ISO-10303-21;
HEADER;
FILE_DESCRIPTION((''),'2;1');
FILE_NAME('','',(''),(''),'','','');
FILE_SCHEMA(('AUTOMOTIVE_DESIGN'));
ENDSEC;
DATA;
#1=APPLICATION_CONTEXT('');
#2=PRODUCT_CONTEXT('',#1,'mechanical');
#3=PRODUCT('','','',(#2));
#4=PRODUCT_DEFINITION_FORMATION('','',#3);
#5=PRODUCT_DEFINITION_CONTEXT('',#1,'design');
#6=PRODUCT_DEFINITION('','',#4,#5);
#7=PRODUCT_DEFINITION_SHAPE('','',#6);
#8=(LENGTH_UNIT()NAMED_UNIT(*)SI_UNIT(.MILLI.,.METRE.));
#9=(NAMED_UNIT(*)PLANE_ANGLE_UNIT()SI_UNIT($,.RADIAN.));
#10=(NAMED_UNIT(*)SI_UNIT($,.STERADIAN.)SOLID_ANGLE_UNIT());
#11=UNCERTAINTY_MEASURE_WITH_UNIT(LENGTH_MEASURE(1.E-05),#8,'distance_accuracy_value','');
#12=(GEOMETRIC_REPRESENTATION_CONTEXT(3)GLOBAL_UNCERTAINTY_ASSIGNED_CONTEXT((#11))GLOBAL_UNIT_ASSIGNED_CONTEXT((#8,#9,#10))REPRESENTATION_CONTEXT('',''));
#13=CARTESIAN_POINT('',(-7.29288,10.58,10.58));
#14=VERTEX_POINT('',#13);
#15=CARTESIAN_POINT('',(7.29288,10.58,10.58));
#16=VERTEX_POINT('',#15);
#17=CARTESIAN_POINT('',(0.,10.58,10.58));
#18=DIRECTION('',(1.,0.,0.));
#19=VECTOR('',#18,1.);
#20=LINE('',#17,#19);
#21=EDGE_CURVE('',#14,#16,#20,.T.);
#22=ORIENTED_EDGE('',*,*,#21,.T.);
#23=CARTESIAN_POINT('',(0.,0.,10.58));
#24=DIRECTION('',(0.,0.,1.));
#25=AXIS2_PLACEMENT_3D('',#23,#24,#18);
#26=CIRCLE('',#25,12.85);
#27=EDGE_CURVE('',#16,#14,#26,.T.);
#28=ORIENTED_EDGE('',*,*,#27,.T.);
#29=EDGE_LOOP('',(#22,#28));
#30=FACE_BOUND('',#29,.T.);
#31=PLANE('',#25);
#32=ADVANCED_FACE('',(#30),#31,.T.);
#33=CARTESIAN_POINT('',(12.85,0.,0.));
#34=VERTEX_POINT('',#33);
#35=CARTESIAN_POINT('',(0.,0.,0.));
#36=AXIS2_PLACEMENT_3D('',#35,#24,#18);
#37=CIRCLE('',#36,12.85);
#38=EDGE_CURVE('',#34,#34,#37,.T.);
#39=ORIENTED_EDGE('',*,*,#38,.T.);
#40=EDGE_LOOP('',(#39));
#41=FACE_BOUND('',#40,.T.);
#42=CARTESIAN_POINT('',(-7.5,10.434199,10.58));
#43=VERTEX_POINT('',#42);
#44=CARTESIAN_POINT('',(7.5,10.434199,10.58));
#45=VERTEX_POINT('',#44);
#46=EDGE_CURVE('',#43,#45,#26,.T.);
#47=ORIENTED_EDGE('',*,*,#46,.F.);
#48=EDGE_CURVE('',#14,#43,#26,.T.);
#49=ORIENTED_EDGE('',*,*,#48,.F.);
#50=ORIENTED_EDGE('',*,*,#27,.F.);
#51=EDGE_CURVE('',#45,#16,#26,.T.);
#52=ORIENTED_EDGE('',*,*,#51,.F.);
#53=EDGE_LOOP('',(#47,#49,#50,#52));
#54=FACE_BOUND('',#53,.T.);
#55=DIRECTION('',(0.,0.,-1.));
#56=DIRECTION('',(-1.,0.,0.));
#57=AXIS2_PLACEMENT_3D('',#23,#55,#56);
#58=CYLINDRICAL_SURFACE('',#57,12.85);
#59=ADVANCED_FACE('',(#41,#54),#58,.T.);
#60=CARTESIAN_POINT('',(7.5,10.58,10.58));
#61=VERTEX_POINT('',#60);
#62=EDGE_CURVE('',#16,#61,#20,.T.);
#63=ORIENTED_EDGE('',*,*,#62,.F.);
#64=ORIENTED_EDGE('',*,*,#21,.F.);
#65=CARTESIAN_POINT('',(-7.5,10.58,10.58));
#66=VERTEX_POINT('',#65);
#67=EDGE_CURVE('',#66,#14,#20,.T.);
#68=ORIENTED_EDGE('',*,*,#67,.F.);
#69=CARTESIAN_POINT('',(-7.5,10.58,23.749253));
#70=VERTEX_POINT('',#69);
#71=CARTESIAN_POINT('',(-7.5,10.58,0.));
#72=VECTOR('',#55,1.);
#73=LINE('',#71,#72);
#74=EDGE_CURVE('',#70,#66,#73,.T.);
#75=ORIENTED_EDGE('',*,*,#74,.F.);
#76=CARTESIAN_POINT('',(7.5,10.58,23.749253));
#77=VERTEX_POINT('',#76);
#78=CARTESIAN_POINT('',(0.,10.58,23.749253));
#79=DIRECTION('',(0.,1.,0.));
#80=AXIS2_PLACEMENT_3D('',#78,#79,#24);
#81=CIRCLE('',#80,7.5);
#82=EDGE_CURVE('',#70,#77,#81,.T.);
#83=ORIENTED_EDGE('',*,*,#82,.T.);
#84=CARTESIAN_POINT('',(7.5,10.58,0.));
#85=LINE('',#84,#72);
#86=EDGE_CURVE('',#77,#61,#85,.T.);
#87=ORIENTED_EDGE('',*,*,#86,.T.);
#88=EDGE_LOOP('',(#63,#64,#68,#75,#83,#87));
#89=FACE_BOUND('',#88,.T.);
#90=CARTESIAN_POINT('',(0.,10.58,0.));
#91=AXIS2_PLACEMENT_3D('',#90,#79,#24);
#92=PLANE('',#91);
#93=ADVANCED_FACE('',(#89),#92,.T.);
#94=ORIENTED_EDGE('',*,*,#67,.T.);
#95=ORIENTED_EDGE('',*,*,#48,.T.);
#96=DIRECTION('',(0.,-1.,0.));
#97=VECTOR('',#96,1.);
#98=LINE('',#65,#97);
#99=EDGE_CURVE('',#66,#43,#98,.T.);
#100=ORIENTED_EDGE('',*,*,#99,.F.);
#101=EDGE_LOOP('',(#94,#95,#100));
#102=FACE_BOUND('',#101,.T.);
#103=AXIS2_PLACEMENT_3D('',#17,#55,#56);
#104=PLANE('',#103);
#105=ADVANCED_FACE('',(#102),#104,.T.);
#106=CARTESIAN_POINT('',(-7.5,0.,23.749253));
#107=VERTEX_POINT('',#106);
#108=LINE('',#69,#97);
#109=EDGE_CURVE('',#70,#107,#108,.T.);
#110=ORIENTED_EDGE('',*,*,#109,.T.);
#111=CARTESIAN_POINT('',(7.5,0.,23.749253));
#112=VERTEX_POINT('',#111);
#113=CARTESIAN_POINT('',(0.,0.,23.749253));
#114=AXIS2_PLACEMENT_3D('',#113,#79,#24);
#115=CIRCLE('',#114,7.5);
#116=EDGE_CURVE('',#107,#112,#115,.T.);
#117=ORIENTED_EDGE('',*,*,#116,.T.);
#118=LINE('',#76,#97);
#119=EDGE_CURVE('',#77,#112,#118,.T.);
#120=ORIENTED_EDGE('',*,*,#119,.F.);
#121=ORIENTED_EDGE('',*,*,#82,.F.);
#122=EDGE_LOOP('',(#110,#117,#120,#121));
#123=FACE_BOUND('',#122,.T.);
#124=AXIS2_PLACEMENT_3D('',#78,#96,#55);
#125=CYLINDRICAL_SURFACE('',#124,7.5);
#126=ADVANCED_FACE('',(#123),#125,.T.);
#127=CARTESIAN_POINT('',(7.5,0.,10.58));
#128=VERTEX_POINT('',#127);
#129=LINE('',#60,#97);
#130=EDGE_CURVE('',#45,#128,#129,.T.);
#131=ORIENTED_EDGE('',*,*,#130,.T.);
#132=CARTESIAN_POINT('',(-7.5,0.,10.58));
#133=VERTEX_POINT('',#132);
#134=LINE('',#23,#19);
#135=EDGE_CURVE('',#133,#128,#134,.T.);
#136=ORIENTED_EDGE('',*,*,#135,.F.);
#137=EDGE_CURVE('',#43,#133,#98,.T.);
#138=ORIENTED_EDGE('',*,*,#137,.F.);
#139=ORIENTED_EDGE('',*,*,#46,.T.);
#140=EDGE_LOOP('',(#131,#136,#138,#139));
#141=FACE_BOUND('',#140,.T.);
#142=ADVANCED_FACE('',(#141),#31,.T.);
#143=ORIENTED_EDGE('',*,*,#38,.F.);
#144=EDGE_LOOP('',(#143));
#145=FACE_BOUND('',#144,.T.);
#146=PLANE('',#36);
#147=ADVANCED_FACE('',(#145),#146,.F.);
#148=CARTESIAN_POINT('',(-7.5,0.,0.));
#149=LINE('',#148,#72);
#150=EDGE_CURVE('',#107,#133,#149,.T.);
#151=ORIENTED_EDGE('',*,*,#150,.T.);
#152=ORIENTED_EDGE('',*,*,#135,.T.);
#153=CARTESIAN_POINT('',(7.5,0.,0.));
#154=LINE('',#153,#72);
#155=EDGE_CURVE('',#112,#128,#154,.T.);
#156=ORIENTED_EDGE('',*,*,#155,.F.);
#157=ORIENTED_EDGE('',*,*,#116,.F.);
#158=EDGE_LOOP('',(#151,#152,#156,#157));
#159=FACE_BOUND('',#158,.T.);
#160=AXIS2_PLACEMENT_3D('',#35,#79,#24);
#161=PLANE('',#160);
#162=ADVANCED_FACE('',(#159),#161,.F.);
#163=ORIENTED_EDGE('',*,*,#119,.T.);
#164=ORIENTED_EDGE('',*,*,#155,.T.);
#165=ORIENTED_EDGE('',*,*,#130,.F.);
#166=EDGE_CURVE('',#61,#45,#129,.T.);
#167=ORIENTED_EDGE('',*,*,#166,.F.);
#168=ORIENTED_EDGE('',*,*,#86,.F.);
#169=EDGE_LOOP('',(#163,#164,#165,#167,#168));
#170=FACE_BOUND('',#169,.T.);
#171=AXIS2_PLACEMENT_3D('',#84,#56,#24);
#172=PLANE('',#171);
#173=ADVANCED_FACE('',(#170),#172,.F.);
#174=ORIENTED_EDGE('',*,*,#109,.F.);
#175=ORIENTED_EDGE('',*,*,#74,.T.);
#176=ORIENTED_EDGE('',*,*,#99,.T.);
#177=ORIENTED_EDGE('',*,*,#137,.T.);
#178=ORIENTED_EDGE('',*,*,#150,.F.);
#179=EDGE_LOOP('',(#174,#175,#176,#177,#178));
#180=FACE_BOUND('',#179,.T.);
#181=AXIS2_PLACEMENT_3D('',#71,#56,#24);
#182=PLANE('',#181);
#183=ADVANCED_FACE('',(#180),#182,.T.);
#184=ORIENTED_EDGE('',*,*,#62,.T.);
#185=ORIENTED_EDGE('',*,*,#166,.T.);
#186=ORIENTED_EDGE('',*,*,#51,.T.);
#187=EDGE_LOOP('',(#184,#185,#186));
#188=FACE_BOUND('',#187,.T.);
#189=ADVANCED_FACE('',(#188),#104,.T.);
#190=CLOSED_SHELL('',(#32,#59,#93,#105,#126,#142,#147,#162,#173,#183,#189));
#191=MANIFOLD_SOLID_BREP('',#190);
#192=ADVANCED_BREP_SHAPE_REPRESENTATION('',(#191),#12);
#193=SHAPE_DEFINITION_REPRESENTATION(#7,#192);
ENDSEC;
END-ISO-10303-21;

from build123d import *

# Parameters (mm, degrees)
SKETCH1_R           = 12.85
BOSS_EXTRUDE5_DEPTH = 10.58
SKETCH4_R           = 7.5
SKETCH4_R_2         = 4.5
BOSS_EXTRUDE6_DEPTH = 10.58


with BuildPart() as part:
    # Sketch1 → Boss-Extrude5 (new body)
    with BuildSketch(Plane.XY):
        Circle(SKETCH1_R)
    extrude(amount=BOSS_EXTRUDE5_DEPTH)

    # Sketch4 → Boss-Extrude6 (add)
    with BuildSketch(Plane(origin=(0, 0, 0), x_dir=(1, 0, 0), z_dir=(0, 1, 0))):
        with BuildLine():
            Line((-7.5, -10.58), (-7.5, -23.749253103))
            ThreePointArc((-7.5, -23.749253103), (0, -16.249253103), (7.5, -23.749253103))
            Line((7.5, -23.749253103), (7.5, -10.58))
            Line((7.5, -10.58), (-7.5, -10.58))
        make_face()
        with Locations((0, -23.749253103)):
            Circle(SKETCH4_R)
        with Locations((0, -23.749253103)):
            Circle(SKETCH4_R_2, mode=Mode.SUBTRACT)
        with Locations((0, -23.749253103)):
            Circle(SKETCH4_R_2)
    extrude(amount=BOSS_EXTRUDE6_DEPTH)


solid = part.part
